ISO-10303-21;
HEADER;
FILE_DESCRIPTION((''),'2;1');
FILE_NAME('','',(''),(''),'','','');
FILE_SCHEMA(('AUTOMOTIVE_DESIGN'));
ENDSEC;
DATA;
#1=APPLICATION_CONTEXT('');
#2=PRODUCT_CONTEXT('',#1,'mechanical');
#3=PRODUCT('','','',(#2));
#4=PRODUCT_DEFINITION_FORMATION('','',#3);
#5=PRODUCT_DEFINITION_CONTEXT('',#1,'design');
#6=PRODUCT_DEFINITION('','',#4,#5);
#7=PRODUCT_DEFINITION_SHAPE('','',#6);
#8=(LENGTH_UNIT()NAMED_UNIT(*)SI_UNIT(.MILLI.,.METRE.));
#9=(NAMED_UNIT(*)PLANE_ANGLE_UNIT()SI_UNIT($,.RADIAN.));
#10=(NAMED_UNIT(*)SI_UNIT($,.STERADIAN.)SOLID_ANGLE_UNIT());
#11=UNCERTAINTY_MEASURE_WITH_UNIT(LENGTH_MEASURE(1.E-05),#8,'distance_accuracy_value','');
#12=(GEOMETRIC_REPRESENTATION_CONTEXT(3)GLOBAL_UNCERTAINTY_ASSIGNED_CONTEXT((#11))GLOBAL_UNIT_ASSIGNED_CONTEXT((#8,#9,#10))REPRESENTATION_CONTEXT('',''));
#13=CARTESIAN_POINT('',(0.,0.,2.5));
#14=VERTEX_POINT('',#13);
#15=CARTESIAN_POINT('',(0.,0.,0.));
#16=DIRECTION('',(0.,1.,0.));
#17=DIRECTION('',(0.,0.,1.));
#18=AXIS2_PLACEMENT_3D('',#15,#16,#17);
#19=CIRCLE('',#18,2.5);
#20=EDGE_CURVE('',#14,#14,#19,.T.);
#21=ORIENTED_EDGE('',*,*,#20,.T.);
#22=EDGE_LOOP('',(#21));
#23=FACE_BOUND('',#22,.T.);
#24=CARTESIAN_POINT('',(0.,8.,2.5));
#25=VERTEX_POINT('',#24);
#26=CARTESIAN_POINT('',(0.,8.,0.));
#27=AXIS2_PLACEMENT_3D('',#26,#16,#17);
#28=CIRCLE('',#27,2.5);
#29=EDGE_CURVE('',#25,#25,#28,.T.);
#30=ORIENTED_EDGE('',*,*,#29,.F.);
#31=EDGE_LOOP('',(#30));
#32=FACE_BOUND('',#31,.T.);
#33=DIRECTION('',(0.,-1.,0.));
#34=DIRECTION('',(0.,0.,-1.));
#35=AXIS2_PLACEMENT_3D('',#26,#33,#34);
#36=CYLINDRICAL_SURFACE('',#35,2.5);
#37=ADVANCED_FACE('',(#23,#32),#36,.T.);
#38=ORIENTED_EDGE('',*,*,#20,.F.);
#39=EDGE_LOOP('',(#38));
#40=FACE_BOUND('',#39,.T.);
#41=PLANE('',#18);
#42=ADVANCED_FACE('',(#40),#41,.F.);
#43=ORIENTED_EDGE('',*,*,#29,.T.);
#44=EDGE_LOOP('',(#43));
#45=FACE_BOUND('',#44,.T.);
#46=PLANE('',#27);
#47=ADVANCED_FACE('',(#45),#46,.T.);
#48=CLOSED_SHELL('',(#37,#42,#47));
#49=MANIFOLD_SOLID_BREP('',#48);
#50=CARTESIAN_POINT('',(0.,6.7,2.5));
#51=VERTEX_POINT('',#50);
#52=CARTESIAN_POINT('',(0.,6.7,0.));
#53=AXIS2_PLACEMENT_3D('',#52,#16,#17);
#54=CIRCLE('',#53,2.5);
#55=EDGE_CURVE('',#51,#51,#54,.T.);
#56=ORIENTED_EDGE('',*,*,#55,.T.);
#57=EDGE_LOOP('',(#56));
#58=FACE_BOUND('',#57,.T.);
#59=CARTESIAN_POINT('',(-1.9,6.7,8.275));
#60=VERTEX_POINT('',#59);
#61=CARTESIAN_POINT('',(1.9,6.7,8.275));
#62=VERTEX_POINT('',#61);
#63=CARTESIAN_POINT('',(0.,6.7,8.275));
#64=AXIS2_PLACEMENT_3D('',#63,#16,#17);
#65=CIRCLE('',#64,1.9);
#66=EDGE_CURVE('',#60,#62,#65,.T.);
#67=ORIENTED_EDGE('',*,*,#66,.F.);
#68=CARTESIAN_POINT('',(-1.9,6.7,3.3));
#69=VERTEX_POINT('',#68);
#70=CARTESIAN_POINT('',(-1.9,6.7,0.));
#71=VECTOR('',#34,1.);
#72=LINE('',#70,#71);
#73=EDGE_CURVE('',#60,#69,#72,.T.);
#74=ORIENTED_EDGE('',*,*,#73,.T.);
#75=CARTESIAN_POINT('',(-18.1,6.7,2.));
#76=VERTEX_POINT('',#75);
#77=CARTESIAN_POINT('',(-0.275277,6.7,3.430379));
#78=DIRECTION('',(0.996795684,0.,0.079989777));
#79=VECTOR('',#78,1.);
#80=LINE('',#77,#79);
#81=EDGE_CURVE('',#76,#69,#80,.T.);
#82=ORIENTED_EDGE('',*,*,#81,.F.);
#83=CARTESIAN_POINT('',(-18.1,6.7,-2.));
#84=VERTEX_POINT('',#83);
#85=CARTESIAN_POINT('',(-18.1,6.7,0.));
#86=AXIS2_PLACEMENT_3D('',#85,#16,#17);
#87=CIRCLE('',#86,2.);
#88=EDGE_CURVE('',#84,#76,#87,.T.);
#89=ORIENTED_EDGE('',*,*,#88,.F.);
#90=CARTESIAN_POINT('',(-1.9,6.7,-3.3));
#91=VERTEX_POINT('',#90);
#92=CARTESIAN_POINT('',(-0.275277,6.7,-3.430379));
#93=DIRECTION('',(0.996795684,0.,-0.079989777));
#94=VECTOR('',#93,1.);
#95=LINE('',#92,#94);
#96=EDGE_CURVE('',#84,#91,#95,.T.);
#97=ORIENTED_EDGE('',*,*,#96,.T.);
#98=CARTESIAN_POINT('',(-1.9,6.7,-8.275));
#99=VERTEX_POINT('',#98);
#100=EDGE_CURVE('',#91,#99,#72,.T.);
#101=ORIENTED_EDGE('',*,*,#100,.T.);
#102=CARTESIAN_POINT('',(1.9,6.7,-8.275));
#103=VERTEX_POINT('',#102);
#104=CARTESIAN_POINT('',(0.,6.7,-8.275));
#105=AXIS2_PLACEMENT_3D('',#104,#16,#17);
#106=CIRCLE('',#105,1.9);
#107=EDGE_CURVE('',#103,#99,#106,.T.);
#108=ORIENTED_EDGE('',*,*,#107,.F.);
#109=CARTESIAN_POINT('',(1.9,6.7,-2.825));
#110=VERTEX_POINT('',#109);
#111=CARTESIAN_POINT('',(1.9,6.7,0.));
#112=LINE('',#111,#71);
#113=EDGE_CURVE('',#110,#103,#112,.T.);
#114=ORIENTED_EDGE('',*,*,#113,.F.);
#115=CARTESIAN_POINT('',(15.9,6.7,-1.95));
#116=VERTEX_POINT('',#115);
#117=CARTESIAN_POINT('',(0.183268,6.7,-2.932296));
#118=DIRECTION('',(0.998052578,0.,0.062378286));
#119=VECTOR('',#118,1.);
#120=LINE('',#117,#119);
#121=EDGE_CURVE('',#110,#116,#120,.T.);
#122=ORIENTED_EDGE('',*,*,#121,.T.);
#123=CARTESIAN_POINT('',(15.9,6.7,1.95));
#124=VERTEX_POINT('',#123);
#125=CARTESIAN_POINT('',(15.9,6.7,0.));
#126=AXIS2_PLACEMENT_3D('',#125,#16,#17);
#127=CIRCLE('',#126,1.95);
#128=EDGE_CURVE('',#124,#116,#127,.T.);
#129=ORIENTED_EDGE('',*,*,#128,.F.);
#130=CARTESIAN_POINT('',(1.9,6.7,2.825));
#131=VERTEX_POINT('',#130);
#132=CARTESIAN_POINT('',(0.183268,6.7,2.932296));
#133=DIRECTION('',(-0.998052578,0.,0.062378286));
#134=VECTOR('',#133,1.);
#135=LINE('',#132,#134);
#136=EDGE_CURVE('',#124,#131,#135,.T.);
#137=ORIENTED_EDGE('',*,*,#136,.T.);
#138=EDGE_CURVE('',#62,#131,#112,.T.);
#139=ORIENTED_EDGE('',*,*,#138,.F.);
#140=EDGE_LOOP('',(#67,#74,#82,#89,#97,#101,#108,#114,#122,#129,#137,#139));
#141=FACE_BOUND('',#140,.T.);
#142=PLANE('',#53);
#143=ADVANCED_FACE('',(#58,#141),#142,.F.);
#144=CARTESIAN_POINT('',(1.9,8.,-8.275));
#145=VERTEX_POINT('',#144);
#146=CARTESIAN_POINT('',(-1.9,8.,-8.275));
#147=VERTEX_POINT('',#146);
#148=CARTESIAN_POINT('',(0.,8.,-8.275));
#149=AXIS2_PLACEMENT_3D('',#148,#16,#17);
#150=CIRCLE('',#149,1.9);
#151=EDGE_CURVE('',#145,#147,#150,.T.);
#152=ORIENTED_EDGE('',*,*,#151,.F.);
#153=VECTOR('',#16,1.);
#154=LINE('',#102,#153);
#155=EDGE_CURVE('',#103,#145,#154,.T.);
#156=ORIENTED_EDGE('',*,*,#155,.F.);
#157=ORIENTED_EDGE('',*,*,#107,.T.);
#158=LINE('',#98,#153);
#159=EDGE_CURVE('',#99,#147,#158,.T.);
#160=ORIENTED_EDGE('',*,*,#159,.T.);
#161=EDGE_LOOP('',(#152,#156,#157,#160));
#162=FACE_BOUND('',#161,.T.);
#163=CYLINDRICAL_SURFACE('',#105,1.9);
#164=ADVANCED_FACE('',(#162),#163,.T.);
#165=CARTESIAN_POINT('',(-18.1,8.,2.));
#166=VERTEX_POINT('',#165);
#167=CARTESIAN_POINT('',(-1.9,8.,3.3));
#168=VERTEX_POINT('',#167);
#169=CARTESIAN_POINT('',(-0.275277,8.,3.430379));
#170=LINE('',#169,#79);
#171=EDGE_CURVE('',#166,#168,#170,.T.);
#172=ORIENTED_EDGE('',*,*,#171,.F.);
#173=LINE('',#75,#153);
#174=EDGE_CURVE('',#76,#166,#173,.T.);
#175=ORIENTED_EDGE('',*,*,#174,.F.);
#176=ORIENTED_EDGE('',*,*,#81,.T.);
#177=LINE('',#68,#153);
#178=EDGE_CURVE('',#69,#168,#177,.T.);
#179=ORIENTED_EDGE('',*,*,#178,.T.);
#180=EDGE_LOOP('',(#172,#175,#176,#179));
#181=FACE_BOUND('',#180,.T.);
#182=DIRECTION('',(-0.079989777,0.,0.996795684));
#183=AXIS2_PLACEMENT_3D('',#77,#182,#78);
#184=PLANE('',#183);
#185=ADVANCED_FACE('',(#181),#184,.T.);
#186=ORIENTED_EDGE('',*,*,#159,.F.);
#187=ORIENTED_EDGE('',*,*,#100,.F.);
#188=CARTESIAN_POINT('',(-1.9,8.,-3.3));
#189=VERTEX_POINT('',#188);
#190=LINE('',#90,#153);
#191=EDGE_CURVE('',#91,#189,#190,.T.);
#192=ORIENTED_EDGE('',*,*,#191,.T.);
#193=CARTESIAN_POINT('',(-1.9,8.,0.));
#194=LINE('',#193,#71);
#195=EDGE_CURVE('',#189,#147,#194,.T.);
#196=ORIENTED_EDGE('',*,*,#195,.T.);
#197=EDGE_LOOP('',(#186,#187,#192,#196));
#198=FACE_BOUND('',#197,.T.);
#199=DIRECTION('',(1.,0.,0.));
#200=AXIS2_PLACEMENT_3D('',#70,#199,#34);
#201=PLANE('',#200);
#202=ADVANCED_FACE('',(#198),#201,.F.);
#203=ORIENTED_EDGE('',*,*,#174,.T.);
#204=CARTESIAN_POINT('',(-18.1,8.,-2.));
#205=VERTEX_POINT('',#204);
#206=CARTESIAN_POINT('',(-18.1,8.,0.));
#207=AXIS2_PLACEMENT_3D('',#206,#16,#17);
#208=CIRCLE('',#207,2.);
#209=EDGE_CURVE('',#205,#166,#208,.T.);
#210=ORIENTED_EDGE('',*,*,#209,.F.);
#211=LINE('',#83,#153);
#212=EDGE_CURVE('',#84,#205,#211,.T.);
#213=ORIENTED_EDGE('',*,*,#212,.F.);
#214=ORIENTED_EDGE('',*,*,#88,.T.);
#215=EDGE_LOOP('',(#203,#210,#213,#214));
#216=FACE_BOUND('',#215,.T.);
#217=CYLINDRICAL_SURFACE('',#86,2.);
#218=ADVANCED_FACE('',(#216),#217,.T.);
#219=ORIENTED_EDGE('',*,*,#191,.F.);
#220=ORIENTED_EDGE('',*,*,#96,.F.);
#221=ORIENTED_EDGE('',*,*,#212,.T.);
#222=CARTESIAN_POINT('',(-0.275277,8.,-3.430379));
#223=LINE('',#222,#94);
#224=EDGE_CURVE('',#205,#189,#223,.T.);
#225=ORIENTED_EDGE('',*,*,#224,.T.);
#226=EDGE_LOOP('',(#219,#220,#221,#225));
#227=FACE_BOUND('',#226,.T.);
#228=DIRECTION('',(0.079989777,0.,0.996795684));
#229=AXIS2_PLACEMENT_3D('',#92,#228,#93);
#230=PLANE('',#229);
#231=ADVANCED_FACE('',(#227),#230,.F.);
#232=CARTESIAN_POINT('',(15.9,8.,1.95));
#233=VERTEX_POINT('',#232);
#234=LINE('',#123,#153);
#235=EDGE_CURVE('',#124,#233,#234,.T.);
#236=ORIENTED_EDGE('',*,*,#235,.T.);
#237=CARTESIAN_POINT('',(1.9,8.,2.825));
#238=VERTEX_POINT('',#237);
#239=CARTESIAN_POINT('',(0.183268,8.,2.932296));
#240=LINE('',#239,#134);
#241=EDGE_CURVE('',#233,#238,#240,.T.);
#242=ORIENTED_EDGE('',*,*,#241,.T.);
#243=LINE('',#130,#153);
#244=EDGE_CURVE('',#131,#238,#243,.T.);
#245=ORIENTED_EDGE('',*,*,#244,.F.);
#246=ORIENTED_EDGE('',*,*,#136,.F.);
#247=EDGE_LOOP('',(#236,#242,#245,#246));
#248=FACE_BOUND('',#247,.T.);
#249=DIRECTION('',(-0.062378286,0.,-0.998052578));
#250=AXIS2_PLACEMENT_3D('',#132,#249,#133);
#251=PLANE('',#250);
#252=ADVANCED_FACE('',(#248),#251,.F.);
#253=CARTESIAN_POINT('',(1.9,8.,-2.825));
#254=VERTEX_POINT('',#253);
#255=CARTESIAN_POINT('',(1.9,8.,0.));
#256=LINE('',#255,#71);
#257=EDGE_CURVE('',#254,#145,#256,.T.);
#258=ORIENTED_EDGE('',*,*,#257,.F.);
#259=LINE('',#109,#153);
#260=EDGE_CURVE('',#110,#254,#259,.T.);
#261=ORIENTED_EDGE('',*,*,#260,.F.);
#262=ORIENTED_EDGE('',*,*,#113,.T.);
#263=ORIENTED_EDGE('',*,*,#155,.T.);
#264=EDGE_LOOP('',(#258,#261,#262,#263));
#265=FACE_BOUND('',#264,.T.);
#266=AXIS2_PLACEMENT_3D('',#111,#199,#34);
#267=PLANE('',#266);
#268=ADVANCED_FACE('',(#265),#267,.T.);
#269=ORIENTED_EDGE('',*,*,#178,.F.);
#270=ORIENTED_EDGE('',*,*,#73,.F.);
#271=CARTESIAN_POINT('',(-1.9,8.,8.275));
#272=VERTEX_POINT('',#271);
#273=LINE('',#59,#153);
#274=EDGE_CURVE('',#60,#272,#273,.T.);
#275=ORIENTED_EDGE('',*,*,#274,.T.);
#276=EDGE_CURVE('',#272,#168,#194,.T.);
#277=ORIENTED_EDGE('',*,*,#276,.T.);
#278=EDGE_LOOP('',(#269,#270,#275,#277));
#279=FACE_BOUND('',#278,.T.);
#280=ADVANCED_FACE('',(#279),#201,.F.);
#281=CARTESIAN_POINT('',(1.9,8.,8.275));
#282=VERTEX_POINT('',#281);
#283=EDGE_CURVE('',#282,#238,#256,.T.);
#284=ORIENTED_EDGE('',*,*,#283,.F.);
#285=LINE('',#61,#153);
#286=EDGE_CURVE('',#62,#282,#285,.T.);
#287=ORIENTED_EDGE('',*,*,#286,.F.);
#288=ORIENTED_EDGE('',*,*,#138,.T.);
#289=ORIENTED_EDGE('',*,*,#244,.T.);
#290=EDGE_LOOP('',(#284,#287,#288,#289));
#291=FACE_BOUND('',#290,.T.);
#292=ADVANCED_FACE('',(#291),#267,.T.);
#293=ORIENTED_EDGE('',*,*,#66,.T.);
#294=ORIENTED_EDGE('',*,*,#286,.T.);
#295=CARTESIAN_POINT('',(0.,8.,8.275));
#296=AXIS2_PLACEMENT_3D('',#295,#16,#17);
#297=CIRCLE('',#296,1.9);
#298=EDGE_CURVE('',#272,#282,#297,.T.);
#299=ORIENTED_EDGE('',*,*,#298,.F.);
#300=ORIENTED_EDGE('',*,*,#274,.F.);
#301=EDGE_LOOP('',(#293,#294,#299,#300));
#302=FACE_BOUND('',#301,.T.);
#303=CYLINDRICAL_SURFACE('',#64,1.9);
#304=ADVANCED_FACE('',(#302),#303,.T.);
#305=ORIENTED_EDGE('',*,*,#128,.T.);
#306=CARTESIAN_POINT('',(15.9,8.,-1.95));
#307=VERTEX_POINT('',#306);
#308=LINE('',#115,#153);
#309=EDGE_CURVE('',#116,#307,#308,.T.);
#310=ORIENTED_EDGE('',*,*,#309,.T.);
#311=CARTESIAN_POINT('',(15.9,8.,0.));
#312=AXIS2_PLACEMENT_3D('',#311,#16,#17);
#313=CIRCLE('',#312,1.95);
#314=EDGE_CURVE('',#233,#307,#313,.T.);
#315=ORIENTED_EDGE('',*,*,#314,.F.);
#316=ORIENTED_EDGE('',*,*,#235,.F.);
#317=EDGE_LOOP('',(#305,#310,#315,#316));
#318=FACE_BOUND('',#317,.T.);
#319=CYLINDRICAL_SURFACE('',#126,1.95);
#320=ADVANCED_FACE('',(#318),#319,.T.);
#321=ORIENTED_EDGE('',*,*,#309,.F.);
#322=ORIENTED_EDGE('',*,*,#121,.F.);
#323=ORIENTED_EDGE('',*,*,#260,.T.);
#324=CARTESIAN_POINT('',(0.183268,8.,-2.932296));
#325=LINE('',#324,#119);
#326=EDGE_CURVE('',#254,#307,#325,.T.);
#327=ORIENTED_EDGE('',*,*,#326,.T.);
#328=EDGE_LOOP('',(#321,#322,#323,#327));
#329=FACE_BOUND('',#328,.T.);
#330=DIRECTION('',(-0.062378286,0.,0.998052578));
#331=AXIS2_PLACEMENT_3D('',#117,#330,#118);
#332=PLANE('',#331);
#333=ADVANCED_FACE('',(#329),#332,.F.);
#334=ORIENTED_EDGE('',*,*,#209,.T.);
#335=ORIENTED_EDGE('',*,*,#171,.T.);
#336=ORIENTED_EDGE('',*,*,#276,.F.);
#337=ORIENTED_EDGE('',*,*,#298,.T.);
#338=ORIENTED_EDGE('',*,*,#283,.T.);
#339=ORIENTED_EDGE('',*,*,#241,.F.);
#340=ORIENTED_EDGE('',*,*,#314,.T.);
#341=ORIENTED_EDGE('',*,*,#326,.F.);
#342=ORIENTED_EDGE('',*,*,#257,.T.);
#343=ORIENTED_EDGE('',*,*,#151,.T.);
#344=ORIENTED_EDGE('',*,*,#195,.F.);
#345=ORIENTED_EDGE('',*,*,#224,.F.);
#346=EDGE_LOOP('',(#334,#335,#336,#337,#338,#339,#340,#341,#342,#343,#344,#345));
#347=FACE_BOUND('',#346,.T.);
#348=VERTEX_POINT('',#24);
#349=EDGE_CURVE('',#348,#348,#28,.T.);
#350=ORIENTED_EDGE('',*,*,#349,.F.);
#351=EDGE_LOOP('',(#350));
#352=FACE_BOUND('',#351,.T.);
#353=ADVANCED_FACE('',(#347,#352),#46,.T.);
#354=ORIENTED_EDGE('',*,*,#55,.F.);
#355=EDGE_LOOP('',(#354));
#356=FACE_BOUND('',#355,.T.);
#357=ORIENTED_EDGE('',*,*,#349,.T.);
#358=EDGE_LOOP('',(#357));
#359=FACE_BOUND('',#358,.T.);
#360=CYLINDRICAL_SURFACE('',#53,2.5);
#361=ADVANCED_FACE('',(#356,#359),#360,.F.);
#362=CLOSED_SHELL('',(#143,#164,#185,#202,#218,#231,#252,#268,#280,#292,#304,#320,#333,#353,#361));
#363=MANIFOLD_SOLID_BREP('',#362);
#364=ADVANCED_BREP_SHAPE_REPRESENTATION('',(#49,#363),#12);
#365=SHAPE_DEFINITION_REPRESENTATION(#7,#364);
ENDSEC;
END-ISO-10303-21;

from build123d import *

# Parameters (mm, degrees)
SKETCH1_R           = 2.5
BOSS_EXTRUDE1_DEPTH = 8
SKETCH2_R           = 2
SKETCH2_R_2         = 1.95
BOSS_EXTRUDE2_DEPTH = 1.3


with BuildPart() as part:
    # Sketch1 → Boss-Extrude1 (new body)
    with BuildSketch(Plane(origin=(0, 0, 0), x_dir=(1, 0, 0), z_dir=(0, 1, 0))):
        with Locations(Location((0, 0, 0), (0, 0, 270))):
            Circle(SKETCH1_R)
    extrude(amount=BOSS_EXTRUDE1_DEPTH)


with BuildPart() as body_2:
    # Sketch2 → Boss-Extrude2 (new body)
    with BuildSketch(Plane(origin=(0, 8, 0), x_dir=(1, 0, 0), z_dir=(0, 1, 0))):
        with Locations((-18.1, 0)):
            Circle(SKETCH2_R)
        with BuildLine():
            ThreePointArc((-1.9, -1.624807681), (-2.5, 0), (-1.9, 1.624807681))
            Line((-1.9, 1.624807681), (-1.9, 3.3))
            Line((-1.9, 3.3), (-18.1, 2))
            ThreePointArc((-18.1, 2), (-16.685786438, 1.414213562), (-16.1, 0))
            ThreePointArc((-16.1, 0), (-16.685786438, -1.414213562), (-18.1, -2))
            Line((-18.1, -2), (-1.9, -3.3))
            Line((-1.9, -3.3), (-1.9, -1.624807681))
        make_face()
        with BuildLine():
            Line((1.9, 1.624807681), (1.9, 2.825))
            Line((1.9, 2.825), (1.9, 8.275))
            ThreePointArc((1.9, 8.275), (0, 6.375), (-1.9, 8.275))
            Line((-1.9, 8.275), (-1.9, 3.3))
            Line((-1.9, 3.3), (-1.9, 1.624807681))
            ThreePointArc((-1.9, 1.624807681), (0, 2.5), (1.9, 1.624807681))
        make_face()
        with BuildLine():
            ThreePointArc((-1.9, 8.275), (0, 6.375), (1.9, 8.275))
            Line((1.9, 8.275), (-1.9, 8.275))
        make_face()
        with BuildLine():
            Line((-1.9, 8.275), (1.9, 8.275))
            ThreePointArc((1.9, 8.275), (0, 10.175), (-1.9, 8.275))
        make_face()
        with BuildLine():
            Line((1.9, -2.825), (1.9, -1.624807681))
            ThreePointArc((1.9, -1.624807681), (0, -2.5), (-1.9, -1.624807681))
            Line((-1.9, -1.624807681), (-1.9, -3.3))
            Line((-1.9, -3.3), (-1.9, -8.275))
            ThreePointArc((-1.9, -8.275), (0, -6.375), (1.9, -8.275))
            Line((1.9, -8.275), (1.9, -2.825))
        make_face()
        with BuildLine():
            ThreePointArc((-1.9, -8.275), (0, -10.175), (1.9, -8.275))
            Line((1.9, -8.275), (-1.9, -8.275))
        make_face()
        with BuildLine():
            Line((-1.9, -8.275), (1.9, -8.275))
            ThreePointArc((1.9, -8.275), (0, -6.375), (-1.9, -8.275))
        make_face()
        with BuildLine():
            Line((15.9, 1.95), (1.9, 2.825))
            Line((1.9, 2.825), (1.9, 1.624807681))
            ThreePointArc((1.9, 1.624807681), (2.34520788, 0.866025404), (2.5, 0))
            ThreePointArc((2.5, 0), (2.34520788, -0.866025404), (1.9, -1.624807681))
            Line((1.9, -1.624807681), (1.9, -2.825))
            Line((1.9, -2.825), (15.9, -1.95))
            ThreePointArc((15.9, -1.95), (13.95, 0), (15.9, 1.95))
        make_face()
        with Locations((15.9, 0)):
            Circle(SKETCH2_R_2)
    extrude(amount=-BOSS_EXTRUDE2_DEPTH)


solid = Compound([part.part, body_2.part])
